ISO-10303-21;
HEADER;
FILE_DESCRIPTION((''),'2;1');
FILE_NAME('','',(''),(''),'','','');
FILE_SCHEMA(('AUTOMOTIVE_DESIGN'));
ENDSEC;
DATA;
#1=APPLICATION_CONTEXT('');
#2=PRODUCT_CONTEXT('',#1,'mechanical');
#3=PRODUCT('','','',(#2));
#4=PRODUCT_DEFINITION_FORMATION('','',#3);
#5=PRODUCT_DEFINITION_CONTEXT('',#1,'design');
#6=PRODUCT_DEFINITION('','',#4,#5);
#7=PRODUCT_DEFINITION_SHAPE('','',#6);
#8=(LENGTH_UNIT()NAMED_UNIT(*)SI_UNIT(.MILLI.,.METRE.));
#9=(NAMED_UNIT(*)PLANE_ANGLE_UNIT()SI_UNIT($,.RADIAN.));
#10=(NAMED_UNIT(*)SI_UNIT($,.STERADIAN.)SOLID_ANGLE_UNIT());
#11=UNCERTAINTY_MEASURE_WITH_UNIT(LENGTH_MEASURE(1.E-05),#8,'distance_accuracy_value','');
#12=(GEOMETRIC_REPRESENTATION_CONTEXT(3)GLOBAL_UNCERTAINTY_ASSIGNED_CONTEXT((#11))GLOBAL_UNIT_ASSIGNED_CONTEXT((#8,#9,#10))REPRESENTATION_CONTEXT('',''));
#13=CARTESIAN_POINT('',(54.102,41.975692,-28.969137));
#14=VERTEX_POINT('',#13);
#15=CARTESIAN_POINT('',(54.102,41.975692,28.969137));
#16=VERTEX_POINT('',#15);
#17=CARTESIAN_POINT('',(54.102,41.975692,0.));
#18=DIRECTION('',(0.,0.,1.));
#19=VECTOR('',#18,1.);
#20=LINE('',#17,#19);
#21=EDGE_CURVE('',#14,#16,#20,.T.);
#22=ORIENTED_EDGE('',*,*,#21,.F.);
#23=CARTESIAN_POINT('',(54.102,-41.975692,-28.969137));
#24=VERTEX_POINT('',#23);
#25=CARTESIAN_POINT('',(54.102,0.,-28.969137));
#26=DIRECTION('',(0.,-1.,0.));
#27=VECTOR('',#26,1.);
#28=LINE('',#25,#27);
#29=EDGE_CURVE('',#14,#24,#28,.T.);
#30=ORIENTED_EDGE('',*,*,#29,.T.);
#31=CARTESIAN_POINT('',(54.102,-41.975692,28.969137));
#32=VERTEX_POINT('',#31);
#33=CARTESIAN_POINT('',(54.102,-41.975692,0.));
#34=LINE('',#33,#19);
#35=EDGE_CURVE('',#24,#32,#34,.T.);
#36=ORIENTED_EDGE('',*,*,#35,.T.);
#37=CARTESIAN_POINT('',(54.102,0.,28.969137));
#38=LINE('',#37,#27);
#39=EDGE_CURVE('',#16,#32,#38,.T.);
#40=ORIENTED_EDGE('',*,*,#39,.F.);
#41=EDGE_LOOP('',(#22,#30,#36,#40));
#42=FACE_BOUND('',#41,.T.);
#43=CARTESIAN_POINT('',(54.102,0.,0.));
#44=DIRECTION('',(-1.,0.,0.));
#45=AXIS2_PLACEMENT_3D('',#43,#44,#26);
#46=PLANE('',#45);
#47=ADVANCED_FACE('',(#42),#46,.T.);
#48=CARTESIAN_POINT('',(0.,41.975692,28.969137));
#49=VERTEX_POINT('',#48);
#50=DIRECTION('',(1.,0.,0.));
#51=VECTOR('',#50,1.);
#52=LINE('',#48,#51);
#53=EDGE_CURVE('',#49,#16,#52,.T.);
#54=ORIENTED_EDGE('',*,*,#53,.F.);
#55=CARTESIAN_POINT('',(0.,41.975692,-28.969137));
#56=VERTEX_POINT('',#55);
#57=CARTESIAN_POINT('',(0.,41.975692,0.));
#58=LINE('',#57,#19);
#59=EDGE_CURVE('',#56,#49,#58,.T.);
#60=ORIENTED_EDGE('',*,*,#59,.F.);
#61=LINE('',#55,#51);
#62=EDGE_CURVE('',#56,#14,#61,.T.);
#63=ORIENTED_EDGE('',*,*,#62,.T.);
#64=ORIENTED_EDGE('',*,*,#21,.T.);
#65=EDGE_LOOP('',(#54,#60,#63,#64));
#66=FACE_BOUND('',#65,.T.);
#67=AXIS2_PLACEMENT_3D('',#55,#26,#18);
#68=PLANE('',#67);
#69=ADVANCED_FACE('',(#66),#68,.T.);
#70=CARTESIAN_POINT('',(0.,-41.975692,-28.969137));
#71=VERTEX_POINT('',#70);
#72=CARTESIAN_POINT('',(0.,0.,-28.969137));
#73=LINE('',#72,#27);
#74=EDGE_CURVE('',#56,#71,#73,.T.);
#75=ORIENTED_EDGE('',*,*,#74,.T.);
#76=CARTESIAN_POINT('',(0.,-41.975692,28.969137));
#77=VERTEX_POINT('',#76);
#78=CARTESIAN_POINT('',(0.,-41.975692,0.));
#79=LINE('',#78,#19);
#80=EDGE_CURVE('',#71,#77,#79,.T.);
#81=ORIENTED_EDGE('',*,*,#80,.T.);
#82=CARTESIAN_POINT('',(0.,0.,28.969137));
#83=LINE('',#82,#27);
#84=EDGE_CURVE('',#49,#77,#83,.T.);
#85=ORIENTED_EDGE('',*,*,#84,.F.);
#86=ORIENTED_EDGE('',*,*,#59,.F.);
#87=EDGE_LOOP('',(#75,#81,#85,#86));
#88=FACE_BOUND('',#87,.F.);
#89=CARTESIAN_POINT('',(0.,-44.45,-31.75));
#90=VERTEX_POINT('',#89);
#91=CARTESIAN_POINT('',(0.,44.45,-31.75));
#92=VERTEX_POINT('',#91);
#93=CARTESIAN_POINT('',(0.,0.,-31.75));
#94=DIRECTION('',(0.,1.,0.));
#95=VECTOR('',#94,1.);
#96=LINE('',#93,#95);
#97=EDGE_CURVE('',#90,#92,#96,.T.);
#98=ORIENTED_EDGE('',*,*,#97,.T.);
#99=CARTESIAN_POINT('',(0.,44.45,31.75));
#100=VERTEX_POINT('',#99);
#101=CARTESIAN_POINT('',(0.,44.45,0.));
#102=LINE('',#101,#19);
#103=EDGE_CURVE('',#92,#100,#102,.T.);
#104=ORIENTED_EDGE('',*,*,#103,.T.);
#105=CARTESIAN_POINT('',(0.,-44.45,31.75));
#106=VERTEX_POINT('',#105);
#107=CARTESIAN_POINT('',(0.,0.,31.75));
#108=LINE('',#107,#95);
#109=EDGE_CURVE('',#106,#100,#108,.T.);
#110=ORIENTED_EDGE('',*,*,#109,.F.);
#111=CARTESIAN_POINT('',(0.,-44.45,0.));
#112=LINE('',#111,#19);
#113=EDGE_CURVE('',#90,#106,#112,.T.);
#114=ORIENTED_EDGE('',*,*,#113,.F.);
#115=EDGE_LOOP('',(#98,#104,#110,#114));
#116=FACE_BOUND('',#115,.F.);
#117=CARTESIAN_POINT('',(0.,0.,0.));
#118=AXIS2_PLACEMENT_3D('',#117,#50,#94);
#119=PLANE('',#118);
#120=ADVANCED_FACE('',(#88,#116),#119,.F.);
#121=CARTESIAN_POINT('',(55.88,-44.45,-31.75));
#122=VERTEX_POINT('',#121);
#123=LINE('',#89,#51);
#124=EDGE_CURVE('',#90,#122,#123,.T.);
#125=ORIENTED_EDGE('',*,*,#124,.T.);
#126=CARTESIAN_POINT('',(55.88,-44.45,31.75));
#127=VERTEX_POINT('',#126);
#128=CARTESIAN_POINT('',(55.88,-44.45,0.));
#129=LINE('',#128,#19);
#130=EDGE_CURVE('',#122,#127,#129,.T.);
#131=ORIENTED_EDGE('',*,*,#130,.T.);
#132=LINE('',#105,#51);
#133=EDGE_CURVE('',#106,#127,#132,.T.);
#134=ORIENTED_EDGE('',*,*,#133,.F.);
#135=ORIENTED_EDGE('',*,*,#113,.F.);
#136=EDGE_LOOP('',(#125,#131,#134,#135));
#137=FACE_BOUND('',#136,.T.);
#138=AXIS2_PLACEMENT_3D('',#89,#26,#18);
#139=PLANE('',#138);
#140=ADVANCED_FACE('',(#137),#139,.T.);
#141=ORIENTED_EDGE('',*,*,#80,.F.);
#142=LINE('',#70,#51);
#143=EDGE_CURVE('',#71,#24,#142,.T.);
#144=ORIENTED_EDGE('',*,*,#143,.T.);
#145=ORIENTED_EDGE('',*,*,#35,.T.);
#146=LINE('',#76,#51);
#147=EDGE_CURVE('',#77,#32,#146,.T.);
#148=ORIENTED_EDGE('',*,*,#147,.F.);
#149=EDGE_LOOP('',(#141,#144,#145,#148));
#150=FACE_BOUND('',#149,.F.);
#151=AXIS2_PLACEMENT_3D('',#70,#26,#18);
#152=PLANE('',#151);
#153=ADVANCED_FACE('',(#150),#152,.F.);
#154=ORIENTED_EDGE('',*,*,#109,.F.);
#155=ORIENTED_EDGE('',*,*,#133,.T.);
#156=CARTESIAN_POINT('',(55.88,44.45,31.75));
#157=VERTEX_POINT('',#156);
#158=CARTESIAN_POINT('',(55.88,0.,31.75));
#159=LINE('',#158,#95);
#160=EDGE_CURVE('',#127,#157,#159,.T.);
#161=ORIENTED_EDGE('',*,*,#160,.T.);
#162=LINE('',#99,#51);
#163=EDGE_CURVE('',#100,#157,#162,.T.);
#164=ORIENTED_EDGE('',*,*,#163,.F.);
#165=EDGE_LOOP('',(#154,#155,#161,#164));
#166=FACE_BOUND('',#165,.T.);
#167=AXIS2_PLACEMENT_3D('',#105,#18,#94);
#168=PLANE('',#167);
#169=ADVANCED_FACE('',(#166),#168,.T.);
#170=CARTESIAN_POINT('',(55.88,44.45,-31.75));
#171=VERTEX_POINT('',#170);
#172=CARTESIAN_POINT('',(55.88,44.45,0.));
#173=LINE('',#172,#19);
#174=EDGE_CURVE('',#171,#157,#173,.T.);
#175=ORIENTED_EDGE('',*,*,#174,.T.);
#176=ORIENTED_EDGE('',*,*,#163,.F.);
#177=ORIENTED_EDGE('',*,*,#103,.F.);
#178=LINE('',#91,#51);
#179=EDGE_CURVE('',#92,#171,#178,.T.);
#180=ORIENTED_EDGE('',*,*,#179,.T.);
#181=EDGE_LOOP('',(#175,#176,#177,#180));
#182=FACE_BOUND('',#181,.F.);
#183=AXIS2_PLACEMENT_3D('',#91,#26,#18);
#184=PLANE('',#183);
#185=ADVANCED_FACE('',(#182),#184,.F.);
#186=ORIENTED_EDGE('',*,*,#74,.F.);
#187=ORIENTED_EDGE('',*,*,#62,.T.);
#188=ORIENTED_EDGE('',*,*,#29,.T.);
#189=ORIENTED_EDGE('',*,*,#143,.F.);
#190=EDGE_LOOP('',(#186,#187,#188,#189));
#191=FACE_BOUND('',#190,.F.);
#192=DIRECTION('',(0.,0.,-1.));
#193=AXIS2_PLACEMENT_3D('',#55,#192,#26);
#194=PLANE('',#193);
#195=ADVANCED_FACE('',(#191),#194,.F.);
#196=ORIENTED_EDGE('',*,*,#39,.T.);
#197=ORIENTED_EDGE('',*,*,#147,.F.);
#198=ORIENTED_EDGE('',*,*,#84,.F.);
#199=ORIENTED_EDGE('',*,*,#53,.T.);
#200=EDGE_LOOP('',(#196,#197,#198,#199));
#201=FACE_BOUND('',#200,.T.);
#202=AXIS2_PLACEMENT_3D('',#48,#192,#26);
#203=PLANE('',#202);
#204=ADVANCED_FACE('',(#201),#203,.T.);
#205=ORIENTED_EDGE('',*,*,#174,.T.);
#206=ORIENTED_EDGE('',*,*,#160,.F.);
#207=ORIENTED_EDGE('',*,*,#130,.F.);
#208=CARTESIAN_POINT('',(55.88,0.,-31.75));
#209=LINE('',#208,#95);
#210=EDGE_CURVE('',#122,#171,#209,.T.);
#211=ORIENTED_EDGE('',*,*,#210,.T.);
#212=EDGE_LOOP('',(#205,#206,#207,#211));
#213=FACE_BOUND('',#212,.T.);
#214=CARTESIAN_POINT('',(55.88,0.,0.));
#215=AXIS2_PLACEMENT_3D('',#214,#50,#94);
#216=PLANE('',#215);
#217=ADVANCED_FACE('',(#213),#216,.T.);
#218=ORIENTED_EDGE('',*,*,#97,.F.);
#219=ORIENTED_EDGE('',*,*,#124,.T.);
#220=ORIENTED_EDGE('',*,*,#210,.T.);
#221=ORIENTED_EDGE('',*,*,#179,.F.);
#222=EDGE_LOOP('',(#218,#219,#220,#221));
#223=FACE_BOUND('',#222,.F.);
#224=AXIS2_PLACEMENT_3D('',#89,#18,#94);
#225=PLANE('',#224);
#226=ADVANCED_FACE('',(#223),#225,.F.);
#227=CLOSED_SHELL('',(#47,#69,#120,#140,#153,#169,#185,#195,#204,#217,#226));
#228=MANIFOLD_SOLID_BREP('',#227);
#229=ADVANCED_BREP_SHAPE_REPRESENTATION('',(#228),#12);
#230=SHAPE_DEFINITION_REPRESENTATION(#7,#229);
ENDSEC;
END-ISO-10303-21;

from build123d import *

# Parameters (mm, degrees)
F0_W     = 88.9
F0_H     = 63.5
F1_DEPTH = 55.88
F2_W     = 83.951384
F2_H     = 57.938274
F3_DEPTH = 54.102


with BuildPart() as f1:
    # F0 (on Right) → F1 (new body)
    with BuildSketch(Plane.YZ):
        Rectangle(F0_W, F0_H)
    extrude(amount=F1_DEPTH)

    # F2 (on face) → F3 (cut)
    with BuildSketch(Plane(origin=(0, 0, 0), x_dir=(0, -1, 0), z_dir=(-1, 0, 0))):
        Rectangle(F2_W, F2_H)
    extrude(amount=-F3_DEPTH, mode=Mode.SUBTRACT)


solid = f1.part
